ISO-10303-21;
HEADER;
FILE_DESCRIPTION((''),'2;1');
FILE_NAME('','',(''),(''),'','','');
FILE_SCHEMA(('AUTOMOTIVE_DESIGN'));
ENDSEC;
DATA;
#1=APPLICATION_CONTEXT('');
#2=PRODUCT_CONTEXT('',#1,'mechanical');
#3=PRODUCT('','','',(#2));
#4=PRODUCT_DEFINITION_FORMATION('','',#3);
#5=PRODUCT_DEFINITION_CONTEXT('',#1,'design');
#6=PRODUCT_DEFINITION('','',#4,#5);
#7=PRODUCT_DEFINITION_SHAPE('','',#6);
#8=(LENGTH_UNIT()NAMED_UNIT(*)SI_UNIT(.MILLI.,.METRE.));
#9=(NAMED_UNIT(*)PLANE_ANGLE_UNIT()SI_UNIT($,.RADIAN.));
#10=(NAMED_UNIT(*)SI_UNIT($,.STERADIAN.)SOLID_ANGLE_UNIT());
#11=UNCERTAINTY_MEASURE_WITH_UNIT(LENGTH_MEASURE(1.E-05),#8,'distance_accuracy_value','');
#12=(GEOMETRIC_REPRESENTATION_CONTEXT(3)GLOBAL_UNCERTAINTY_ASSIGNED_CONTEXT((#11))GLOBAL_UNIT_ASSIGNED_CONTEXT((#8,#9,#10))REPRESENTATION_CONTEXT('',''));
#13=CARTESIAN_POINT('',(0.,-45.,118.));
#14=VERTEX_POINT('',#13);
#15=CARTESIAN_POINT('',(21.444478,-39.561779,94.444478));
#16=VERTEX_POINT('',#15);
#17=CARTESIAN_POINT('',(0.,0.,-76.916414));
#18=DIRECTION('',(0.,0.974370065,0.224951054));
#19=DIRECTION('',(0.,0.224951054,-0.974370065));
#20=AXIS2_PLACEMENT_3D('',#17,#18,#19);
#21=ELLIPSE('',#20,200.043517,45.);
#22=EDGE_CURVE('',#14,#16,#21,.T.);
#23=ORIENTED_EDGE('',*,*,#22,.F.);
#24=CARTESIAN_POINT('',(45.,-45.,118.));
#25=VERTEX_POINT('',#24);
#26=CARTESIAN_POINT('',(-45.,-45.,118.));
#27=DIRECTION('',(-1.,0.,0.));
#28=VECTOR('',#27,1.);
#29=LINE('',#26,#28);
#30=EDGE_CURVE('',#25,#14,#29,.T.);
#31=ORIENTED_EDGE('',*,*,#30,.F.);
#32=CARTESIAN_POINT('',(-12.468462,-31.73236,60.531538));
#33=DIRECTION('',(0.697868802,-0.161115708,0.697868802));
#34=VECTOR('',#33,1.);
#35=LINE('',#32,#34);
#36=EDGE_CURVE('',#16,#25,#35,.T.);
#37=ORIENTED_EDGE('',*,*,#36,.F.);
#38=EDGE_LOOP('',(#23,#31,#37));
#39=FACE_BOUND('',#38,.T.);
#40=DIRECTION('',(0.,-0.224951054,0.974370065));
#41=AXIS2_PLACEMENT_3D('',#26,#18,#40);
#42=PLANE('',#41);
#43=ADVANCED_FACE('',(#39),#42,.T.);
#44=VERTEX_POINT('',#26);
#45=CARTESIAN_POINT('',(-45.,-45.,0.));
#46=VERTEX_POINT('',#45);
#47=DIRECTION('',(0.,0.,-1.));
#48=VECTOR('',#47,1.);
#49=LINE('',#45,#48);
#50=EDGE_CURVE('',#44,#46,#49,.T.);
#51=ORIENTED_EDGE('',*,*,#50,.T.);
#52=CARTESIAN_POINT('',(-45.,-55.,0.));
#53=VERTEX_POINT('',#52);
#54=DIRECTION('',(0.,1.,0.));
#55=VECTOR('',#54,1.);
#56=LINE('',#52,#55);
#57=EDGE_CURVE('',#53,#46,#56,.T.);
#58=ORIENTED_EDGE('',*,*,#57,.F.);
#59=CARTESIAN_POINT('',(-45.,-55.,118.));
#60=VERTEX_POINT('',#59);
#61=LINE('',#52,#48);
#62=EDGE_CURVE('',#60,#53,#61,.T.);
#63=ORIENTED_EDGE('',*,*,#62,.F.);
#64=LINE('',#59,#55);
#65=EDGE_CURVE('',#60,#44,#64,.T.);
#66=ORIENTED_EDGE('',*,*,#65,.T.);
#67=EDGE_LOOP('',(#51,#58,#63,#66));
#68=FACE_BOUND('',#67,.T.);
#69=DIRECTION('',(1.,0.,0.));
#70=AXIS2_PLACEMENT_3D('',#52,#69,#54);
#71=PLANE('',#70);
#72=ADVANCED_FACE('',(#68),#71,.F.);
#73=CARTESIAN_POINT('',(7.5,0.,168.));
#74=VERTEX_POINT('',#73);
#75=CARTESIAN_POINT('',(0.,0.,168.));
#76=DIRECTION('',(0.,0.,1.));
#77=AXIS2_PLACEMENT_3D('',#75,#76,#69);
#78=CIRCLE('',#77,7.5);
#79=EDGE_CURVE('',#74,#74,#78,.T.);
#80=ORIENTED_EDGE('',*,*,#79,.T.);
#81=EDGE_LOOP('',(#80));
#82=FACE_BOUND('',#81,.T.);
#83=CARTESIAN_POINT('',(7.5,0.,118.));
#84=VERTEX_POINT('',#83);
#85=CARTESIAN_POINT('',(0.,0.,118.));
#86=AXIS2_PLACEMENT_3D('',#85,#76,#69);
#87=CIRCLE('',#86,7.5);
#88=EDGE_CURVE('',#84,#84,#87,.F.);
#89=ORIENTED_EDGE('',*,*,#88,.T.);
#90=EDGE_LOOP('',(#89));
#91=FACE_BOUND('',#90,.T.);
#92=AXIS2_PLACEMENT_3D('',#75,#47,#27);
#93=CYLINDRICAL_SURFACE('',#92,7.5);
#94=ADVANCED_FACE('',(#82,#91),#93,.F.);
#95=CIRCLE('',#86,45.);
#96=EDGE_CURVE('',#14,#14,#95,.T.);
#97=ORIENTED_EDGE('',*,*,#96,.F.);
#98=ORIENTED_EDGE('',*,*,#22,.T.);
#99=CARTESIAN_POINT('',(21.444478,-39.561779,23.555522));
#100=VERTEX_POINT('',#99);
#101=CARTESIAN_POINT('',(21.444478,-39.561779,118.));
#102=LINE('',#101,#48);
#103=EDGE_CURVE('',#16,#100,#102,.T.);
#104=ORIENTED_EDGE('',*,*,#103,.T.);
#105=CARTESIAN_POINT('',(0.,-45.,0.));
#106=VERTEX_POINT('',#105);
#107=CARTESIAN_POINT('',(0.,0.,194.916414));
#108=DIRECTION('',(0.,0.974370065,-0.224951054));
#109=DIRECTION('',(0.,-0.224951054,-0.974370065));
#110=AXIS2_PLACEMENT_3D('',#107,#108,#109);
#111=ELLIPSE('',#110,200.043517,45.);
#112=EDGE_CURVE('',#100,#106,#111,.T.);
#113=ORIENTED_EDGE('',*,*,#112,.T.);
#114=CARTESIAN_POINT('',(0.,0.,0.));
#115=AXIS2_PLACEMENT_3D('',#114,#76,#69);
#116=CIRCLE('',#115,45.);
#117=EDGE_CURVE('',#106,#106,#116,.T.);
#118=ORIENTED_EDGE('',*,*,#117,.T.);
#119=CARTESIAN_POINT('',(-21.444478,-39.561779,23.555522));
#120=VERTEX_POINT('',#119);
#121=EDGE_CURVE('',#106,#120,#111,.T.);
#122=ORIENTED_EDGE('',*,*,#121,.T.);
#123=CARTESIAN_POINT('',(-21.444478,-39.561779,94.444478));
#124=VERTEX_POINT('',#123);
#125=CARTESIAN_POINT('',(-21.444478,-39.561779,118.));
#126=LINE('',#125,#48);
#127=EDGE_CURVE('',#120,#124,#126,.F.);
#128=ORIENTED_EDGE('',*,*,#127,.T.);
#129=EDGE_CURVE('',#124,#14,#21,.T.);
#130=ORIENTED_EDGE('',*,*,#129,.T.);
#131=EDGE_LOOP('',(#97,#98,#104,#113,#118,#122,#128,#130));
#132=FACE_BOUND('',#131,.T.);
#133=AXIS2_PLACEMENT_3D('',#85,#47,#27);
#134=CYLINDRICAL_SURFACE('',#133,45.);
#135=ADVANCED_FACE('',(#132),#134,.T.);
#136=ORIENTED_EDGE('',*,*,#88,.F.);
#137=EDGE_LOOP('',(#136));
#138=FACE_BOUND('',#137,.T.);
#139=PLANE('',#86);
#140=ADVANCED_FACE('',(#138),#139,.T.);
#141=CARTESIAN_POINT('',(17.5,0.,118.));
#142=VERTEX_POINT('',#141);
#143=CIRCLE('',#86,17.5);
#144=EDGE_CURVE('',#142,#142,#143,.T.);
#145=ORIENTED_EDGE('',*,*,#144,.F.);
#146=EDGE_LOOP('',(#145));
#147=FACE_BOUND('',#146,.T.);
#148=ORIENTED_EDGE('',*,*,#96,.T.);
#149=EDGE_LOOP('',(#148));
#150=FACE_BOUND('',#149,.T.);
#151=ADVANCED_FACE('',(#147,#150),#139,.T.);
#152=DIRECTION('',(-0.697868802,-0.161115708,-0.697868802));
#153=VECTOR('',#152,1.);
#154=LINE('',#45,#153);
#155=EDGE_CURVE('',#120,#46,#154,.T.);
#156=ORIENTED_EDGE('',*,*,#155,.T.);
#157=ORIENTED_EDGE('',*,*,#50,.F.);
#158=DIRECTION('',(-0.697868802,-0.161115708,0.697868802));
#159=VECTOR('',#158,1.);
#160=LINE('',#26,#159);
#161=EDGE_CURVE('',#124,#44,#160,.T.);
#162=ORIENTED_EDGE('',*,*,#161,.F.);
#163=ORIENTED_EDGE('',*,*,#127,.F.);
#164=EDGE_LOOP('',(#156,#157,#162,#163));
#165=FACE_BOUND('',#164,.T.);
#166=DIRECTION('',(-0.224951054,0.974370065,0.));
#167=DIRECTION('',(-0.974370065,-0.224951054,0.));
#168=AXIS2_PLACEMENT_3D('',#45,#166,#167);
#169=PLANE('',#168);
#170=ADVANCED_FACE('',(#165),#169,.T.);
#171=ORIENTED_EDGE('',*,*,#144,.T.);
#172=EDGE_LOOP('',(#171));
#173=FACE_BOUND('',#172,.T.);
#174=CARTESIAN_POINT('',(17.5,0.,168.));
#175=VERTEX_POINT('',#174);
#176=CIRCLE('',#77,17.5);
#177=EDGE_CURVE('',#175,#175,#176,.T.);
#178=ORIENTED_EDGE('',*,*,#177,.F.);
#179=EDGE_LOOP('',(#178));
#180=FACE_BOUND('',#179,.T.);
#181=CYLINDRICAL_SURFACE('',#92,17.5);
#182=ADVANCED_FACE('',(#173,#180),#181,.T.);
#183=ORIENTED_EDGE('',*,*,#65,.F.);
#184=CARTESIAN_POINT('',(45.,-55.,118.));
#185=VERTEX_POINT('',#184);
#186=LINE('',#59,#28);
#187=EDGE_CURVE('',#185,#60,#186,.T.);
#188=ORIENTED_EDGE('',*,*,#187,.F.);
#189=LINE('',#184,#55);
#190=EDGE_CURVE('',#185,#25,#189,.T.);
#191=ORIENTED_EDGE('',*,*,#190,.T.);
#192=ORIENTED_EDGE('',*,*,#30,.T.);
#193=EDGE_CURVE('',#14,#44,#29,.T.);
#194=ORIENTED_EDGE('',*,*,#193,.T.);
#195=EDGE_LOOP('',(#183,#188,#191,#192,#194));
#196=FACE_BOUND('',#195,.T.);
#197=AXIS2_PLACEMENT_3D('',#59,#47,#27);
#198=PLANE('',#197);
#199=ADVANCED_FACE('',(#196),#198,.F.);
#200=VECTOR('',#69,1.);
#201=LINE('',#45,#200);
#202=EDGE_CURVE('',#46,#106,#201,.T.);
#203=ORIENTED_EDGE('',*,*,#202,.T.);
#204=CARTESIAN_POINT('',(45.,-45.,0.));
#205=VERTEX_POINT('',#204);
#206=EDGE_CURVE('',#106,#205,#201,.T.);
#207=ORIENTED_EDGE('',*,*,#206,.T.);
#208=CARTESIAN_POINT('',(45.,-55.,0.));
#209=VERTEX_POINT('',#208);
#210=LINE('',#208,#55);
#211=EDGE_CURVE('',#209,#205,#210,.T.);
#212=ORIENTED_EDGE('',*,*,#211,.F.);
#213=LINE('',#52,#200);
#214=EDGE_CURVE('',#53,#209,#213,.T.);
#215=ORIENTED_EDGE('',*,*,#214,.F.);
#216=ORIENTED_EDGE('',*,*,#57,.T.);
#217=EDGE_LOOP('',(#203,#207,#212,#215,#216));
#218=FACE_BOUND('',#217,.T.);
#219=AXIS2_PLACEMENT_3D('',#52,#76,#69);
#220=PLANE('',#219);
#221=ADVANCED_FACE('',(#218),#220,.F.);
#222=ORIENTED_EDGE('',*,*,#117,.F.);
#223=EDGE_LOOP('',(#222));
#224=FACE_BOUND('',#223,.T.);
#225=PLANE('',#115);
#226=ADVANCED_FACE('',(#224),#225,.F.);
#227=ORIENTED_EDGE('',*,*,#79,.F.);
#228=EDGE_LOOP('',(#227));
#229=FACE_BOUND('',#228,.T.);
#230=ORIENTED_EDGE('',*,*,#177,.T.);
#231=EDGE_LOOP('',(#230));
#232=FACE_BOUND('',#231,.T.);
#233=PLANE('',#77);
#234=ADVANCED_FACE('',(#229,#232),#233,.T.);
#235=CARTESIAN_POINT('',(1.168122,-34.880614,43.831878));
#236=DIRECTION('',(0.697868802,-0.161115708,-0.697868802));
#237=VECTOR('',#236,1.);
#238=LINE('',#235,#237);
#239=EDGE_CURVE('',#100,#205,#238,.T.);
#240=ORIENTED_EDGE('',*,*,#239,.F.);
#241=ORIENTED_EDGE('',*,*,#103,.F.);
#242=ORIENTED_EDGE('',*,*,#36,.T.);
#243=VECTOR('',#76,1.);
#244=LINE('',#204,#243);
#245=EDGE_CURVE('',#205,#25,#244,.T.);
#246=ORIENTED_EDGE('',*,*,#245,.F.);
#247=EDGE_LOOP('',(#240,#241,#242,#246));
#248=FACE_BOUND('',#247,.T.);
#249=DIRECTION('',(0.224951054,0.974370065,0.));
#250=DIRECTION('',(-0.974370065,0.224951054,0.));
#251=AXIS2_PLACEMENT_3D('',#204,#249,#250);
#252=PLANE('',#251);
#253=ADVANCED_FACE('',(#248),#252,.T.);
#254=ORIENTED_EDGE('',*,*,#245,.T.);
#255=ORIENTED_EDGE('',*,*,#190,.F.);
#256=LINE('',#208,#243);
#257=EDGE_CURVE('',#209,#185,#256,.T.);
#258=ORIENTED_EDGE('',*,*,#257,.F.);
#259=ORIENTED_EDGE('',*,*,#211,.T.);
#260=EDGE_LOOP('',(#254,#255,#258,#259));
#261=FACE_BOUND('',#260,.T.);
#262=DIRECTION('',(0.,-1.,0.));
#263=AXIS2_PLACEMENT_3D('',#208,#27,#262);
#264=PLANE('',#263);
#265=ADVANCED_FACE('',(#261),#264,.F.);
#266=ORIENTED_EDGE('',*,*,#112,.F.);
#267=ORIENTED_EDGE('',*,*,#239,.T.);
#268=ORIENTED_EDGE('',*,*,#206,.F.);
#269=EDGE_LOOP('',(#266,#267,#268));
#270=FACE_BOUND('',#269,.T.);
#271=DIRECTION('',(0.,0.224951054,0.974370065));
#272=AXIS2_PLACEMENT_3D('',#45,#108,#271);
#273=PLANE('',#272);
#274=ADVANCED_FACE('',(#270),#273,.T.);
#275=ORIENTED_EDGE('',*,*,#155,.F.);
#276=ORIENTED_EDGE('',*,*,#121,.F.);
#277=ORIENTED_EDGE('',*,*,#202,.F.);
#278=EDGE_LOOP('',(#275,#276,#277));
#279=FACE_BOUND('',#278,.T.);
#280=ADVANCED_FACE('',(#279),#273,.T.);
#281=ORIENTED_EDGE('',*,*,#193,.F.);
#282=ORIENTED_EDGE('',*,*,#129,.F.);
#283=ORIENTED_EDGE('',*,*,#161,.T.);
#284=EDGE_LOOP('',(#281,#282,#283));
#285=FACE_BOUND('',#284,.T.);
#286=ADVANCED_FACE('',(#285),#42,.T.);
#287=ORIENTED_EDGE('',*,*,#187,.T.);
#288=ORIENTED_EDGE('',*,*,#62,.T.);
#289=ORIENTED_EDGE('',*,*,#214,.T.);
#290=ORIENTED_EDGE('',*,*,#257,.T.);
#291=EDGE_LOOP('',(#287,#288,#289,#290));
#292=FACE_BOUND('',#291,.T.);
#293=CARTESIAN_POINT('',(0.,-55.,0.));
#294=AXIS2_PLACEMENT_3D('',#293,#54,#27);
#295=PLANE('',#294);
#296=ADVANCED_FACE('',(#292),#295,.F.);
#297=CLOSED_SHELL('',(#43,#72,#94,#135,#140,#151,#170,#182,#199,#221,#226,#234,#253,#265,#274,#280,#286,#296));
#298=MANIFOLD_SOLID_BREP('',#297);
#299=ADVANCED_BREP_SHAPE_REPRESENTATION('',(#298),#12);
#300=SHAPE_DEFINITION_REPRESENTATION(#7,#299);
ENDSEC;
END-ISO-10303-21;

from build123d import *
from build123d.topology import SkipClean

# Parameters (mm, degrees)
SKETCH1_R                     = 45
BOSS_EXTRUDE1_DEPTH           = 118
SKETCH2_R                     = 17.5
SKETCH2_R_2                   = 7.5
BOSS_EXTRUDE2_DEPTH           = 50
SKETCH3_W                     = 90
SKETCH3_H                     = 118
BOSS_EXTRUDE3_DEPTH           = 10
SKETCH3_2_W                   = 90
SKETCH3_2_H                   = 118
BOSS_EXTRUDE4_DEPTH           = 6
BOSS_EXTRUDE4_TAPER           = 77
BOSS_EXTRUDE4_OTHER_WAY_DEPTH = 6
BOSS_EXTRUDE4_OTHER_WAY_TAPER = 77


with BuildPart() as part:
    # Sketch1 → Boss-Extrude1 (new body)
    with BuildSketch(Plane.XY):
        Circle(SKETCH1_R)
    extrude(amount=BOSS_EXTRUDE1_DEPTH)

    # Sketch2 → Boss-Extrude2 (add)
    with BuildSketch(Plane.XY.offset(118)):
        Circle(SKETCH2_R)
        Circle(SKETCH2_R_2, mode=Mode.SUBTRACT)
    extrude(amount=BOSS_EXTRUDE2_DEPTH)



with BuildPart() as body_2:
    # Sketch3 → Boss-Extrude3 (new body)
    with BuildSketch(Plane(origin=(0, -45, 0), x_dir=(-1, 0, 0), z_dir=(0, -1, 0))):
        with Locations((0, -59)):
            Rectangle(SKETCH3_W, SKETCH3_H)
    extrude(amount=BOSS_EXTRUDE3_DEPTH)


with BuildPart() as part_1:
    add(part.part)

    add(body_2.part)  # Boss-Extrude4 merges body 2
    # Sketch3<2> → Boss-Extrude4 (add)
    with BuildSketch(Plane(origin=(0, -45, 0), x_dir=(-1, 0, 0), z_dir=(0, -1, 0))):
        with Locations((0, -59)):
            Rectangle(SKETCH3_2_W, SKETCH3_2_H)
    extrude(amount=BOSS_EXTRUDE4_DEPTH, taper=BOSS_EXTRUDE4_TAPER)

    # Sketch3<2> → Boss-Extrude4 other way (add)
    with SkipClean():  # the faces are left unmerged after this step: merging them gives an invalid solid
        with BuildSketch(Plane(origin=(0, -45, 0), x_dir=(-1, 0, 0), z_dir=(0, -1, 0))):
            with Locations((0, -59)):
                Rectangle(SKETCH3_2_W, SKETCH3_2_H)
        extrude(amount=-BOSS_EXTRUDE4_OTHER_WAY_DEPTH, taper=BOSS_EXTRUDE4_OTHER_WAY_TAPER)


solid = part_1.part
